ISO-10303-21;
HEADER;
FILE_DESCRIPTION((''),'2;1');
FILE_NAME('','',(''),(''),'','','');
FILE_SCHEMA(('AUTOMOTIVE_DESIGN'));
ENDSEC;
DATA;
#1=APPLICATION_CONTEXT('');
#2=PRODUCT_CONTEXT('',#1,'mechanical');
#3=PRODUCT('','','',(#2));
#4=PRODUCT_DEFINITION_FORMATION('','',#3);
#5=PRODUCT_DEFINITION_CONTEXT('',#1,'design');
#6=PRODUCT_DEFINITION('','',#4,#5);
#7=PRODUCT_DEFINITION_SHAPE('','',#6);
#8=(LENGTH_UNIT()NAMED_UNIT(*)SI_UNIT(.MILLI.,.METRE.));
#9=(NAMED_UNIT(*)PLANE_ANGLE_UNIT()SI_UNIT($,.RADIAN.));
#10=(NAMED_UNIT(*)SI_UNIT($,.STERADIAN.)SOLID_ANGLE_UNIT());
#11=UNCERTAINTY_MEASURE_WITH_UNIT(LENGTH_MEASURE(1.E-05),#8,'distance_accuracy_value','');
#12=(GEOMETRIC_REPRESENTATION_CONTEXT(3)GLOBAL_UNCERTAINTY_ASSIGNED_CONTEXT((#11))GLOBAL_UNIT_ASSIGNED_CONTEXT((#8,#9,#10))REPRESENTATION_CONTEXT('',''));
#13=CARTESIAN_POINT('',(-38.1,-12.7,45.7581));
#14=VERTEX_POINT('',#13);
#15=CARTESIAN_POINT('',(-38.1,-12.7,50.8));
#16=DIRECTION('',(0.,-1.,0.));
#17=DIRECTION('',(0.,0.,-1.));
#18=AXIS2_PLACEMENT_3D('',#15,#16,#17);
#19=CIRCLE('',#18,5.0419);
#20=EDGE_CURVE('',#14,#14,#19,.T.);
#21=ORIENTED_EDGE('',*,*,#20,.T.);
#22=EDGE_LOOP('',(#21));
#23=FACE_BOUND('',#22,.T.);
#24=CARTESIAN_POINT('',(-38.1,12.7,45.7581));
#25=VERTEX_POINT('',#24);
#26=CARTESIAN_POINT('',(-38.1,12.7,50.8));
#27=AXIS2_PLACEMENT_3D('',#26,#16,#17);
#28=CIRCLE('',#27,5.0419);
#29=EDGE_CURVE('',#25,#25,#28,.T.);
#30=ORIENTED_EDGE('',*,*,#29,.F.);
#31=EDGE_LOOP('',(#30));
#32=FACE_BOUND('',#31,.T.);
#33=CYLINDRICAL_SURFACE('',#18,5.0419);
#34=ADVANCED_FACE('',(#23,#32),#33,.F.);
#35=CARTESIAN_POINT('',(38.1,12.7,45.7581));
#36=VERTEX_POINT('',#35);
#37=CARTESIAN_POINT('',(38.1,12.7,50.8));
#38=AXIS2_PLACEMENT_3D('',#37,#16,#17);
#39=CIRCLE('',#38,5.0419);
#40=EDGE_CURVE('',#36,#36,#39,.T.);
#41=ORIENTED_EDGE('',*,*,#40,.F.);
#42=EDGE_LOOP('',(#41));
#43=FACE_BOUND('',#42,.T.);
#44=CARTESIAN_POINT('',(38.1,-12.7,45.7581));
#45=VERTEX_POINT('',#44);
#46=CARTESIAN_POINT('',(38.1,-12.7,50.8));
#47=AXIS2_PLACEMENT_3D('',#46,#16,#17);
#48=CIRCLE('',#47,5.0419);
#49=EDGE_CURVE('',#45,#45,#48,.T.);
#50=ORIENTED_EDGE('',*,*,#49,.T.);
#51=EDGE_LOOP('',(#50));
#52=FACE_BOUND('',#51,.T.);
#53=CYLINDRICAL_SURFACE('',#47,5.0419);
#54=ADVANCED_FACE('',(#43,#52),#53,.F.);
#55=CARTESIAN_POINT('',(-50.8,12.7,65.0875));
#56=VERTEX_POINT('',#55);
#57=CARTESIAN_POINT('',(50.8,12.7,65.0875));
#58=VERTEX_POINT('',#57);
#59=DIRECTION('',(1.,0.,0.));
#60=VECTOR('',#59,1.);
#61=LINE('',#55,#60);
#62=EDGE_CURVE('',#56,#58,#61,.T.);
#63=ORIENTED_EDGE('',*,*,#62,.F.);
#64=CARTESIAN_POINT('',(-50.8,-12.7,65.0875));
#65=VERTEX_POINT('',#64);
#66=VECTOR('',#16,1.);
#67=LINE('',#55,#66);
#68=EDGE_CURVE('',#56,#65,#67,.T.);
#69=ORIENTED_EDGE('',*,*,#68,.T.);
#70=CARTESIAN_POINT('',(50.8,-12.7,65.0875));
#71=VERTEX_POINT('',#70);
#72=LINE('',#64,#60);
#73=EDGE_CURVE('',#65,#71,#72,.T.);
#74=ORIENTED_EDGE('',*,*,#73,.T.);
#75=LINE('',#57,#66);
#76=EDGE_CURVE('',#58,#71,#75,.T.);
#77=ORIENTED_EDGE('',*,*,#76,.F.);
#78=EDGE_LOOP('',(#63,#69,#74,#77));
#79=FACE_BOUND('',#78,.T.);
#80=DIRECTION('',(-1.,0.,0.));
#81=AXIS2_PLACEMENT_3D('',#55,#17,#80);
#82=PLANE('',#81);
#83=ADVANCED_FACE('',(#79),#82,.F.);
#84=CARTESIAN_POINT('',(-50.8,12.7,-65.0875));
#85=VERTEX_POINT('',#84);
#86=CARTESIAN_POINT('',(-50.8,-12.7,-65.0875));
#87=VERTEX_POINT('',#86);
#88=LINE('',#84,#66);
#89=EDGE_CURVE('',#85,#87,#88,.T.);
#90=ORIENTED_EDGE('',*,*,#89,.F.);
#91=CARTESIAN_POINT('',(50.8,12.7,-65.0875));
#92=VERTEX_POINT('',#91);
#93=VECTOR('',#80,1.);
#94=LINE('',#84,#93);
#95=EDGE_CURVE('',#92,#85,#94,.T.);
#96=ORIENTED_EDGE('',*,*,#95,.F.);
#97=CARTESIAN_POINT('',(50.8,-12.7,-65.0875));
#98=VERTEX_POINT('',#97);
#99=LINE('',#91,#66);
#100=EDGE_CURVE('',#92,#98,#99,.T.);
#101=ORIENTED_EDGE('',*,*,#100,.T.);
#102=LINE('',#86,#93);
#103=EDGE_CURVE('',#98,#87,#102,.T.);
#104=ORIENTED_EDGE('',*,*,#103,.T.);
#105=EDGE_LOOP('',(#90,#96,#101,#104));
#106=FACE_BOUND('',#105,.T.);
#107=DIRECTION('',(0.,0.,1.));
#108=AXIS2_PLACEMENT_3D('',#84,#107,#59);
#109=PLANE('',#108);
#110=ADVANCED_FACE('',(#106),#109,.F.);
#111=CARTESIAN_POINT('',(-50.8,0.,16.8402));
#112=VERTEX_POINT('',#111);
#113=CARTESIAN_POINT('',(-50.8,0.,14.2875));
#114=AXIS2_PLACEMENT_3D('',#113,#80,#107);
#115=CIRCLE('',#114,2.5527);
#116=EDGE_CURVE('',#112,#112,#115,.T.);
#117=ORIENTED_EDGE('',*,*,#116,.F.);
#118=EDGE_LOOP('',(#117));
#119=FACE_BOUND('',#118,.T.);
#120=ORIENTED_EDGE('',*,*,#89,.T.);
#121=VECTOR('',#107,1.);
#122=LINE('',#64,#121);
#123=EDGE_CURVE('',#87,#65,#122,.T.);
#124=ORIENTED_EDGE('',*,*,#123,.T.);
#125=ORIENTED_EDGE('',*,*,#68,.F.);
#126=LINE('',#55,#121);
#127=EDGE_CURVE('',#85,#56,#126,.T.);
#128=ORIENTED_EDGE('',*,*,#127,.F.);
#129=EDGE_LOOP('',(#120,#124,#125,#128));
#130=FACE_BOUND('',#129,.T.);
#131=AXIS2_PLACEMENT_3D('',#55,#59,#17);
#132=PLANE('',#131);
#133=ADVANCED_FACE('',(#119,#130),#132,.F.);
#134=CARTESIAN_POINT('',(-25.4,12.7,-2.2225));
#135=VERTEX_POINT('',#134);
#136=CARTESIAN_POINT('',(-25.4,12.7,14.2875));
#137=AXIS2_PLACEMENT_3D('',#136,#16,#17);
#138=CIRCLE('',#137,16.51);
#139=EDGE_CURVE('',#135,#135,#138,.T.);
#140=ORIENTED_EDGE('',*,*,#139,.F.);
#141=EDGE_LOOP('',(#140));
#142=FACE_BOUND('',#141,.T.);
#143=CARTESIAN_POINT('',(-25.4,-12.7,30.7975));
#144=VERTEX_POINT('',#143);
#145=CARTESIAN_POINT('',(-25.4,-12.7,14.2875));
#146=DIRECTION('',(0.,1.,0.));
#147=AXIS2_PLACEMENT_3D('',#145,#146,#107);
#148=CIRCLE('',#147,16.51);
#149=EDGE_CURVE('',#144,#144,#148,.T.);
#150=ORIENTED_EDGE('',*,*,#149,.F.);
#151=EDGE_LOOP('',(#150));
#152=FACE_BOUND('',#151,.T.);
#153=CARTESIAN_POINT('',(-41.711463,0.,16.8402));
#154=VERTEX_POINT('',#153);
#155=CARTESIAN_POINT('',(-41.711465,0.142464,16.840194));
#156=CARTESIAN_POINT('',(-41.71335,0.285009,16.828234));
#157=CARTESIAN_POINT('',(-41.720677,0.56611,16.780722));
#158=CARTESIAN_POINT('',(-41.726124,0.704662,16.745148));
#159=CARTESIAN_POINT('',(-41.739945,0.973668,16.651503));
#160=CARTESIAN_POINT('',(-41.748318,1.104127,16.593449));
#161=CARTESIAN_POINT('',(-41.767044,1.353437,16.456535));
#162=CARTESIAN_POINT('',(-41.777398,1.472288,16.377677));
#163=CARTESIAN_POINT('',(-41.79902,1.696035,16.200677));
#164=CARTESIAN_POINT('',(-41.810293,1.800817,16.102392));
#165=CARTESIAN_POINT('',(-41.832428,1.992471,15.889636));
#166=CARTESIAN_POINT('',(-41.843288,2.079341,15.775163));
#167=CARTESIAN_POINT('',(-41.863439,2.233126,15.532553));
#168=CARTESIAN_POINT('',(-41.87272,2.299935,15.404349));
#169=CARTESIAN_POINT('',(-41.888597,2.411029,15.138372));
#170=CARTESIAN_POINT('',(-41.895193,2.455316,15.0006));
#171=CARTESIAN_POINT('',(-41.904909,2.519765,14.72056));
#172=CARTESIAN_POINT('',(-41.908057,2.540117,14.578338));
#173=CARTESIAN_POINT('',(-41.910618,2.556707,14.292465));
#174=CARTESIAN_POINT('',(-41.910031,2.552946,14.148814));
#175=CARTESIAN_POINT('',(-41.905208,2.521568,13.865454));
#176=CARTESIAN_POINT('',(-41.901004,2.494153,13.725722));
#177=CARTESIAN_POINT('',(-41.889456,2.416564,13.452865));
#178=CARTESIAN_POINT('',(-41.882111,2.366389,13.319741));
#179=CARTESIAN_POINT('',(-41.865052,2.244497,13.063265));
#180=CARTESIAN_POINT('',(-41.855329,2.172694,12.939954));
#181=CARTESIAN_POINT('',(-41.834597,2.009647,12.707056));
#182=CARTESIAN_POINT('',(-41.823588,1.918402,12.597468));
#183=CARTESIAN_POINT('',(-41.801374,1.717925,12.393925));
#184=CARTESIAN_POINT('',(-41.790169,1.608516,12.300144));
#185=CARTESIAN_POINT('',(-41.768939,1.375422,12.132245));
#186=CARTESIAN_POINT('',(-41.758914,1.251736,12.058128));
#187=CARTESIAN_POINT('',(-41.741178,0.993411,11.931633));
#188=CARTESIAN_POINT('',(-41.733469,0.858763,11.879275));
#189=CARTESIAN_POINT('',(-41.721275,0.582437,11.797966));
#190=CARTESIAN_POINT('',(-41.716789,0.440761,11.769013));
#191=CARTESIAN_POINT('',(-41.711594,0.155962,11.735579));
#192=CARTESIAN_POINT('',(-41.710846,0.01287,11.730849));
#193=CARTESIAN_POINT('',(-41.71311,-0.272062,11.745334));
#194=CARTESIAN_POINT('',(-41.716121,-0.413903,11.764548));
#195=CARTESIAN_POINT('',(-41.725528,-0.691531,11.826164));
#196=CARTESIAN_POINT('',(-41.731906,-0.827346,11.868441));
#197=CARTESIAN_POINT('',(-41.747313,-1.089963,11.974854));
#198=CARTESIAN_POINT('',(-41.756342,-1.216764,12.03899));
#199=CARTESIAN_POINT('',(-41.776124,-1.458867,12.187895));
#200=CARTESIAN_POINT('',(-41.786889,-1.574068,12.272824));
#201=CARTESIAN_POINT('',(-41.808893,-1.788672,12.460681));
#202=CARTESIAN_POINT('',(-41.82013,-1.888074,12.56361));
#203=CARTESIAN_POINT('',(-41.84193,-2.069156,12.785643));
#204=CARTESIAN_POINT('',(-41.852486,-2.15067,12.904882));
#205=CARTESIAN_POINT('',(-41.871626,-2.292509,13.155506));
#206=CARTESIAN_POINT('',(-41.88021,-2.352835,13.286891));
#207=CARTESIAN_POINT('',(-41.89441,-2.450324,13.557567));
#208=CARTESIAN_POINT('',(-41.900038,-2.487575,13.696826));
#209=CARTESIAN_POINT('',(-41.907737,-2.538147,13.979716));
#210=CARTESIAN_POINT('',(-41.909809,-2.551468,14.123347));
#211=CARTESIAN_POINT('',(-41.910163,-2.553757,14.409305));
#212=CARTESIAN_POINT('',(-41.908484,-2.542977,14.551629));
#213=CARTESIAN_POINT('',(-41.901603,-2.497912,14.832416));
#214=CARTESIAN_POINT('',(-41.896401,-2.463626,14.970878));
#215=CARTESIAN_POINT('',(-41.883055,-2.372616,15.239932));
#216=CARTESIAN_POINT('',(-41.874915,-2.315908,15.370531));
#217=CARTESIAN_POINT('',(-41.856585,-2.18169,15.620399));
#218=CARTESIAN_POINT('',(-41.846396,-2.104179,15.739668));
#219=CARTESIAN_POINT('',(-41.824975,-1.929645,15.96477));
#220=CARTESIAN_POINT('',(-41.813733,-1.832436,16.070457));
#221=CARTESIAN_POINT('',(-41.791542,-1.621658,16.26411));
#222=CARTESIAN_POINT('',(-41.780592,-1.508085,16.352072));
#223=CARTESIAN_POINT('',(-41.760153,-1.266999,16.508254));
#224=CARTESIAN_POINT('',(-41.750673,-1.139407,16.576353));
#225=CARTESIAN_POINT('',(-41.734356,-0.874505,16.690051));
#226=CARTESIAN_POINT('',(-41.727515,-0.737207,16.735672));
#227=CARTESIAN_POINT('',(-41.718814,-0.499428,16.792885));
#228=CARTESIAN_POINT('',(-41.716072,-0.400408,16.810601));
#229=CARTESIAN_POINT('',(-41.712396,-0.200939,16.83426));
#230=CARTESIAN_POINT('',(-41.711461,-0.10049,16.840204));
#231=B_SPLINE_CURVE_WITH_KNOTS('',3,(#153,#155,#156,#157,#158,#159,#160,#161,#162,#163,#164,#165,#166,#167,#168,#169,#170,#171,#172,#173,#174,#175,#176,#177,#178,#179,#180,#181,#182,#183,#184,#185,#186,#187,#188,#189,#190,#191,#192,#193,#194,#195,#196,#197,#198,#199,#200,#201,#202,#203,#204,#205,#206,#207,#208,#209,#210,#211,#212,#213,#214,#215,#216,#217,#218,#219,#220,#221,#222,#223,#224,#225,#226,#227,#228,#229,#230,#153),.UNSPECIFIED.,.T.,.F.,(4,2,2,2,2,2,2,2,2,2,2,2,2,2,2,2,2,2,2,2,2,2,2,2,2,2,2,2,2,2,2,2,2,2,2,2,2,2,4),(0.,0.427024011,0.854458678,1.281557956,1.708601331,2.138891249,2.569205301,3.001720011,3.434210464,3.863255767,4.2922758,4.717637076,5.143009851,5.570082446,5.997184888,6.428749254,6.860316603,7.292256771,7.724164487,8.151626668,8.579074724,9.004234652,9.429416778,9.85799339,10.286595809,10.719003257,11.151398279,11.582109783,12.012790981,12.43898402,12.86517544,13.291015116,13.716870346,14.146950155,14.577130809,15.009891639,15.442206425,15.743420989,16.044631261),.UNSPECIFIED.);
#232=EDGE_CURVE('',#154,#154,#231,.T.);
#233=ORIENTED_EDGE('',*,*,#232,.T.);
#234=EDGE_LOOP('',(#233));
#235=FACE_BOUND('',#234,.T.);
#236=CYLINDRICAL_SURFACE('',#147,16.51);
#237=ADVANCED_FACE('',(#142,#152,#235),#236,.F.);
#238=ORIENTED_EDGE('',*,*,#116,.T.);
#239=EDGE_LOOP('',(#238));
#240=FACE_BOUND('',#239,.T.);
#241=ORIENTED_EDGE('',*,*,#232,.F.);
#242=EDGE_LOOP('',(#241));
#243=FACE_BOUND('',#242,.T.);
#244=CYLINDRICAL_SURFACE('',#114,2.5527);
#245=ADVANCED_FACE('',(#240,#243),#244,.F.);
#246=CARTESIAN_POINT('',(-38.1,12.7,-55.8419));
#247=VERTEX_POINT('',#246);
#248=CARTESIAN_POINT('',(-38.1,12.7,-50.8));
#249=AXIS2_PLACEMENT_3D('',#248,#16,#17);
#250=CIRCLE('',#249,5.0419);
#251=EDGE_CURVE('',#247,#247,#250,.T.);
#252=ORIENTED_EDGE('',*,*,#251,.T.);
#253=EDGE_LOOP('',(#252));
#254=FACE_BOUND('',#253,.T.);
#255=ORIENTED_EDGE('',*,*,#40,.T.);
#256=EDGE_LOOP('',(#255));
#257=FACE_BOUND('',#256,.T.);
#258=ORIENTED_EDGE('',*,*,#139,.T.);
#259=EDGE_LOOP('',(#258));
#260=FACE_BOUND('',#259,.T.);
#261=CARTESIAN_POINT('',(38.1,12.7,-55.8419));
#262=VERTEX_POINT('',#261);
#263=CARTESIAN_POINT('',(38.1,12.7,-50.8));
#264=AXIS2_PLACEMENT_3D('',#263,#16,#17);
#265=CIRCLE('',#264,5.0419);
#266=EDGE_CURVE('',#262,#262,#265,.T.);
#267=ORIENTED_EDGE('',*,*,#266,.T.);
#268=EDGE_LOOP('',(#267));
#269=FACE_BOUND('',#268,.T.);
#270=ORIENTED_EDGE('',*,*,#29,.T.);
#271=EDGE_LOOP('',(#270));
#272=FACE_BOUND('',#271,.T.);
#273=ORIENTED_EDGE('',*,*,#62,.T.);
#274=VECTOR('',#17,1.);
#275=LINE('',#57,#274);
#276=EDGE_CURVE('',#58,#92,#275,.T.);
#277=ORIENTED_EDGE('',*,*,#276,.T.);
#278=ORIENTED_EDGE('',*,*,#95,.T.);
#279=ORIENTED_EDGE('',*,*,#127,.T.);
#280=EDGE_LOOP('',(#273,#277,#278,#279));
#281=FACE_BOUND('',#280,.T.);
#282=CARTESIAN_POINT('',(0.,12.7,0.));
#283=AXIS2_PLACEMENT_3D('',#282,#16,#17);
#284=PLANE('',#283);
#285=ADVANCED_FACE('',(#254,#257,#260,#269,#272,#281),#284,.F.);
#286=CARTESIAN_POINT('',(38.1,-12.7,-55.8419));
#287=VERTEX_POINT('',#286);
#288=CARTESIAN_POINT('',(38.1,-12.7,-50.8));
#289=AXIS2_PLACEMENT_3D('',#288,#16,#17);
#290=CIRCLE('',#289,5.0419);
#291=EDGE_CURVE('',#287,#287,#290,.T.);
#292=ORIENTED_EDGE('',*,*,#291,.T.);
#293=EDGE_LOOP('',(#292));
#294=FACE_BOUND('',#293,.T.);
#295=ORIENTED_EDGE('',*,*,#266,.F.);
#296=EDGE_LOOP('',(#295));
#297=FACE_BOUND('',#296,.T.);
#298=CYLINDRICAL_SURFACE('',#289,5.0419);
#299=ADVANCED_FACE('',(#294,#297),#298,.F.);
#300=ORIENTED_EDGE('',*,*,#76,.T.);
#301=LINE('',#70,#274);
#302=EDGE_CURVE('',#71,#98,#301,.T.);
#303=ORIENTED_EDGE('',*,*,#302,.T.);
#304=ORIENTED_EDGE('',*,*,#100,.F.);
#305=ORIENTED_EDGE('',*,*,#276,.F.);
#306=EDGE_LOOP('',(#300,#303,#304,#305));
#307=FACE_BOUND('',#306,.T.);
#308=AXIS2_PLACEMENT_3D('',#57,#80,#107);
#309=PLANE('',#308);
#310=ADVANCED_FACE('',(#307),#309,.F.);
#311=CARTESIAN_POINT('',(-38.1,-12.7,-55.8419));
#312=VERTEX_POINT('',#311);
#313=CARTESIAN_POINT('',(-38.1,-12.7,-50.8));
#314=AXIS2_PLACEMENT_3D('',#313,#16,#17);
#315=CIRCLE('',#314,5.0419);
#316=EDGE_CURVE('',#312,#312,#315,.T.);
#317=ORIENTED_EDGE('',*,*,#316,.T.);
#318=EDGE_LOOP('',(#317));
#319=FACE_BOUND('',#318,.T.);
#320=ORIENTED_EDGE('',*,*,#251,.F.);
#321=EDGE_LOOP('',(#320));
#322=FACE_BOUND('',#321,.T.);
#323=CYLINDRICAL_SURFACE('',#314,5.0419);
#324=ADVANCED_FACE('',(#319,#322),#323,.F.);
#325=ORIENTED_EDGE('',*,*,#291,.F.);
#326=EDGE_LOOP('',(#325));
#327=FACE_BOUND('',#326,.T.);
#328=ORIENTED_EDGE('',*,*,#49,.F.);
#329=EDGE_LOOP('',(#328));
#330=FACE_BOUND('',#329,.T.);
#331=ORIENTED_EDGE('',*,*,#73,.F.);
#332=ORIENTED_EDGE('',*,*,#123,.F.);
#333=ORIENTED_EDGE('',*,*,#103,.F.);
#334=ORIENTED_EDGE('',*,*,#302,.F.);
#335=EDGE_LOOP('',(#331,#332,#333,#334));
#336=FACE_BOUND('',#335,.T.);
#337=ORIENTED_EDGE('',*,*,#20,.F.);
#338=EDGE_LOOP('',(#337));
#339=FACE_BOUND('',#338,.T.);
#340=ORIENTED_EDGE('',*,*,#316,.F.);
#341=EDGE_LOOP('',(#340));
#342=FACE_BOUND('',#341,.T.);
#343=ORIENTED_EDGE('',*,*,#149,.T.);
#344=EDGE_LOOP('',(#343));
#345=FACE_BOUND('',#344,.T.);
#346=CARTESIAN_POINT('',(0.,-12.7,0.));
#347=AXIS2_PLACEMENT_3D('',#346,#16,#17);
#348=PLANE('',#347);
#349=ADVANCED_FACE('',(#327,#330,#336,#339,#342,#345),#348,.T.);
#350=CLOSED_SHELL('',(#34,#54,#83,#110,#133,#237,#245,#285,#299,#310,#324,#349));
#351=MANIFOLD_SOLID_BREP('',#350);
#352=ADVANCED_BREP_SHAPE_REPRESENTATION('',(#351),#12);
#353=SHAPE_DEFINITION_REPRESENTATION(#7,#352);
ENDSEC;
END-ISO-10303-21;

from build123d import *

# Parameters (mm, degrees)
SKETCH1_W                   = 101.6
SKETCH1_H                   = 130.175
BOSS_EXTRUDE1_DEPTH         = 12.7
CUT_EXTRUDE1_DEPTH          = 87.383925914
CUT_EXTRUDE1_DEPTH_BACK     = 87.383925914
SKETCH2_R                   = 16.51
F_3_8_CLEARANCE_HOLE1_D     = 10.0838
F_1_4_20_TAPPED_HOLE1_D     = 5.1054
F_1_4_20_TAPPED_HOLE1_DEPTH = 16.51
F_1_4_20_TAPPED_HOLE1_TIP   = 1.533816902


with BuildPart() as part:
    # Sketch1 → Boss-Extrude1 (new, symmetric)
    with BuildSketch(Plane(origin=(0, 0, 0), x_dir=(1, 0, 0), z_dir=(0, 1, 0))):
        Rectangle(SKETCH1_W, SKETCH1_H)
    extrude(amount=BOSS_EXTRUDE1_DEPTH, both=True)

    # Sketch2 → Cut-Extrude1 (cut, two sides: drawn at the far end of the back side and taken through both)
    with BuildSketch(Plane(origin=(0, 12.7, 0), x_dir=(1, 0, 0), z_dir=(0, 1, 0)).offset(-CUT_EXTRUDE1_DEPTH_BACK)):
        with Locations(Location((-25.4, -14.2875, 0), (0, 0, 270))):
            Circle(SKETCH2_R)
    extrude(amount=CUT_EXTRUDE1_DEPTH + CUT_EXTRUDE1_DEPTH_BACK, mode=Mode.SUBTRACT)

    # 3/8 Clearance Hole1 (through all)
    with Locations(Plane(origin=(0, -12.7, 0), x_dir=(-1, 0, 0), z_dir=(0, -1, 0))):
        with Locations((-38.1, 50.8), (38.1, 50.8), (38.1, -50.8), (-38.1, -50.8)):
            Hole(F_3_8_CLEARANCE_HOLE1_D / 2)

    # 1/4-20 Tapped Hole1
    with Locations(Plane.ZY.offset(50.8)):
        with Locations((14.2875, 0)):
            Hole(F_1_4_20_TAPPED_HOLE1_D / 2, depth=F_1_4_20_TAPPED_HOLE1_DEPTH)
            with Locations((0, 0, -(F_1_4_20_TAPPED_HOLE1_DEPTH + F_1_4_20_TAPPED_HOLE1_TIP / 2))):  # 118° drill point
                Cone(0, F_1_4_20_TAPPED_HOLE1_D / 2, F_1_4_20_TAPPED_HOLE1_TIP, mode=Mode.SUBTRACT)


solid = part.part
